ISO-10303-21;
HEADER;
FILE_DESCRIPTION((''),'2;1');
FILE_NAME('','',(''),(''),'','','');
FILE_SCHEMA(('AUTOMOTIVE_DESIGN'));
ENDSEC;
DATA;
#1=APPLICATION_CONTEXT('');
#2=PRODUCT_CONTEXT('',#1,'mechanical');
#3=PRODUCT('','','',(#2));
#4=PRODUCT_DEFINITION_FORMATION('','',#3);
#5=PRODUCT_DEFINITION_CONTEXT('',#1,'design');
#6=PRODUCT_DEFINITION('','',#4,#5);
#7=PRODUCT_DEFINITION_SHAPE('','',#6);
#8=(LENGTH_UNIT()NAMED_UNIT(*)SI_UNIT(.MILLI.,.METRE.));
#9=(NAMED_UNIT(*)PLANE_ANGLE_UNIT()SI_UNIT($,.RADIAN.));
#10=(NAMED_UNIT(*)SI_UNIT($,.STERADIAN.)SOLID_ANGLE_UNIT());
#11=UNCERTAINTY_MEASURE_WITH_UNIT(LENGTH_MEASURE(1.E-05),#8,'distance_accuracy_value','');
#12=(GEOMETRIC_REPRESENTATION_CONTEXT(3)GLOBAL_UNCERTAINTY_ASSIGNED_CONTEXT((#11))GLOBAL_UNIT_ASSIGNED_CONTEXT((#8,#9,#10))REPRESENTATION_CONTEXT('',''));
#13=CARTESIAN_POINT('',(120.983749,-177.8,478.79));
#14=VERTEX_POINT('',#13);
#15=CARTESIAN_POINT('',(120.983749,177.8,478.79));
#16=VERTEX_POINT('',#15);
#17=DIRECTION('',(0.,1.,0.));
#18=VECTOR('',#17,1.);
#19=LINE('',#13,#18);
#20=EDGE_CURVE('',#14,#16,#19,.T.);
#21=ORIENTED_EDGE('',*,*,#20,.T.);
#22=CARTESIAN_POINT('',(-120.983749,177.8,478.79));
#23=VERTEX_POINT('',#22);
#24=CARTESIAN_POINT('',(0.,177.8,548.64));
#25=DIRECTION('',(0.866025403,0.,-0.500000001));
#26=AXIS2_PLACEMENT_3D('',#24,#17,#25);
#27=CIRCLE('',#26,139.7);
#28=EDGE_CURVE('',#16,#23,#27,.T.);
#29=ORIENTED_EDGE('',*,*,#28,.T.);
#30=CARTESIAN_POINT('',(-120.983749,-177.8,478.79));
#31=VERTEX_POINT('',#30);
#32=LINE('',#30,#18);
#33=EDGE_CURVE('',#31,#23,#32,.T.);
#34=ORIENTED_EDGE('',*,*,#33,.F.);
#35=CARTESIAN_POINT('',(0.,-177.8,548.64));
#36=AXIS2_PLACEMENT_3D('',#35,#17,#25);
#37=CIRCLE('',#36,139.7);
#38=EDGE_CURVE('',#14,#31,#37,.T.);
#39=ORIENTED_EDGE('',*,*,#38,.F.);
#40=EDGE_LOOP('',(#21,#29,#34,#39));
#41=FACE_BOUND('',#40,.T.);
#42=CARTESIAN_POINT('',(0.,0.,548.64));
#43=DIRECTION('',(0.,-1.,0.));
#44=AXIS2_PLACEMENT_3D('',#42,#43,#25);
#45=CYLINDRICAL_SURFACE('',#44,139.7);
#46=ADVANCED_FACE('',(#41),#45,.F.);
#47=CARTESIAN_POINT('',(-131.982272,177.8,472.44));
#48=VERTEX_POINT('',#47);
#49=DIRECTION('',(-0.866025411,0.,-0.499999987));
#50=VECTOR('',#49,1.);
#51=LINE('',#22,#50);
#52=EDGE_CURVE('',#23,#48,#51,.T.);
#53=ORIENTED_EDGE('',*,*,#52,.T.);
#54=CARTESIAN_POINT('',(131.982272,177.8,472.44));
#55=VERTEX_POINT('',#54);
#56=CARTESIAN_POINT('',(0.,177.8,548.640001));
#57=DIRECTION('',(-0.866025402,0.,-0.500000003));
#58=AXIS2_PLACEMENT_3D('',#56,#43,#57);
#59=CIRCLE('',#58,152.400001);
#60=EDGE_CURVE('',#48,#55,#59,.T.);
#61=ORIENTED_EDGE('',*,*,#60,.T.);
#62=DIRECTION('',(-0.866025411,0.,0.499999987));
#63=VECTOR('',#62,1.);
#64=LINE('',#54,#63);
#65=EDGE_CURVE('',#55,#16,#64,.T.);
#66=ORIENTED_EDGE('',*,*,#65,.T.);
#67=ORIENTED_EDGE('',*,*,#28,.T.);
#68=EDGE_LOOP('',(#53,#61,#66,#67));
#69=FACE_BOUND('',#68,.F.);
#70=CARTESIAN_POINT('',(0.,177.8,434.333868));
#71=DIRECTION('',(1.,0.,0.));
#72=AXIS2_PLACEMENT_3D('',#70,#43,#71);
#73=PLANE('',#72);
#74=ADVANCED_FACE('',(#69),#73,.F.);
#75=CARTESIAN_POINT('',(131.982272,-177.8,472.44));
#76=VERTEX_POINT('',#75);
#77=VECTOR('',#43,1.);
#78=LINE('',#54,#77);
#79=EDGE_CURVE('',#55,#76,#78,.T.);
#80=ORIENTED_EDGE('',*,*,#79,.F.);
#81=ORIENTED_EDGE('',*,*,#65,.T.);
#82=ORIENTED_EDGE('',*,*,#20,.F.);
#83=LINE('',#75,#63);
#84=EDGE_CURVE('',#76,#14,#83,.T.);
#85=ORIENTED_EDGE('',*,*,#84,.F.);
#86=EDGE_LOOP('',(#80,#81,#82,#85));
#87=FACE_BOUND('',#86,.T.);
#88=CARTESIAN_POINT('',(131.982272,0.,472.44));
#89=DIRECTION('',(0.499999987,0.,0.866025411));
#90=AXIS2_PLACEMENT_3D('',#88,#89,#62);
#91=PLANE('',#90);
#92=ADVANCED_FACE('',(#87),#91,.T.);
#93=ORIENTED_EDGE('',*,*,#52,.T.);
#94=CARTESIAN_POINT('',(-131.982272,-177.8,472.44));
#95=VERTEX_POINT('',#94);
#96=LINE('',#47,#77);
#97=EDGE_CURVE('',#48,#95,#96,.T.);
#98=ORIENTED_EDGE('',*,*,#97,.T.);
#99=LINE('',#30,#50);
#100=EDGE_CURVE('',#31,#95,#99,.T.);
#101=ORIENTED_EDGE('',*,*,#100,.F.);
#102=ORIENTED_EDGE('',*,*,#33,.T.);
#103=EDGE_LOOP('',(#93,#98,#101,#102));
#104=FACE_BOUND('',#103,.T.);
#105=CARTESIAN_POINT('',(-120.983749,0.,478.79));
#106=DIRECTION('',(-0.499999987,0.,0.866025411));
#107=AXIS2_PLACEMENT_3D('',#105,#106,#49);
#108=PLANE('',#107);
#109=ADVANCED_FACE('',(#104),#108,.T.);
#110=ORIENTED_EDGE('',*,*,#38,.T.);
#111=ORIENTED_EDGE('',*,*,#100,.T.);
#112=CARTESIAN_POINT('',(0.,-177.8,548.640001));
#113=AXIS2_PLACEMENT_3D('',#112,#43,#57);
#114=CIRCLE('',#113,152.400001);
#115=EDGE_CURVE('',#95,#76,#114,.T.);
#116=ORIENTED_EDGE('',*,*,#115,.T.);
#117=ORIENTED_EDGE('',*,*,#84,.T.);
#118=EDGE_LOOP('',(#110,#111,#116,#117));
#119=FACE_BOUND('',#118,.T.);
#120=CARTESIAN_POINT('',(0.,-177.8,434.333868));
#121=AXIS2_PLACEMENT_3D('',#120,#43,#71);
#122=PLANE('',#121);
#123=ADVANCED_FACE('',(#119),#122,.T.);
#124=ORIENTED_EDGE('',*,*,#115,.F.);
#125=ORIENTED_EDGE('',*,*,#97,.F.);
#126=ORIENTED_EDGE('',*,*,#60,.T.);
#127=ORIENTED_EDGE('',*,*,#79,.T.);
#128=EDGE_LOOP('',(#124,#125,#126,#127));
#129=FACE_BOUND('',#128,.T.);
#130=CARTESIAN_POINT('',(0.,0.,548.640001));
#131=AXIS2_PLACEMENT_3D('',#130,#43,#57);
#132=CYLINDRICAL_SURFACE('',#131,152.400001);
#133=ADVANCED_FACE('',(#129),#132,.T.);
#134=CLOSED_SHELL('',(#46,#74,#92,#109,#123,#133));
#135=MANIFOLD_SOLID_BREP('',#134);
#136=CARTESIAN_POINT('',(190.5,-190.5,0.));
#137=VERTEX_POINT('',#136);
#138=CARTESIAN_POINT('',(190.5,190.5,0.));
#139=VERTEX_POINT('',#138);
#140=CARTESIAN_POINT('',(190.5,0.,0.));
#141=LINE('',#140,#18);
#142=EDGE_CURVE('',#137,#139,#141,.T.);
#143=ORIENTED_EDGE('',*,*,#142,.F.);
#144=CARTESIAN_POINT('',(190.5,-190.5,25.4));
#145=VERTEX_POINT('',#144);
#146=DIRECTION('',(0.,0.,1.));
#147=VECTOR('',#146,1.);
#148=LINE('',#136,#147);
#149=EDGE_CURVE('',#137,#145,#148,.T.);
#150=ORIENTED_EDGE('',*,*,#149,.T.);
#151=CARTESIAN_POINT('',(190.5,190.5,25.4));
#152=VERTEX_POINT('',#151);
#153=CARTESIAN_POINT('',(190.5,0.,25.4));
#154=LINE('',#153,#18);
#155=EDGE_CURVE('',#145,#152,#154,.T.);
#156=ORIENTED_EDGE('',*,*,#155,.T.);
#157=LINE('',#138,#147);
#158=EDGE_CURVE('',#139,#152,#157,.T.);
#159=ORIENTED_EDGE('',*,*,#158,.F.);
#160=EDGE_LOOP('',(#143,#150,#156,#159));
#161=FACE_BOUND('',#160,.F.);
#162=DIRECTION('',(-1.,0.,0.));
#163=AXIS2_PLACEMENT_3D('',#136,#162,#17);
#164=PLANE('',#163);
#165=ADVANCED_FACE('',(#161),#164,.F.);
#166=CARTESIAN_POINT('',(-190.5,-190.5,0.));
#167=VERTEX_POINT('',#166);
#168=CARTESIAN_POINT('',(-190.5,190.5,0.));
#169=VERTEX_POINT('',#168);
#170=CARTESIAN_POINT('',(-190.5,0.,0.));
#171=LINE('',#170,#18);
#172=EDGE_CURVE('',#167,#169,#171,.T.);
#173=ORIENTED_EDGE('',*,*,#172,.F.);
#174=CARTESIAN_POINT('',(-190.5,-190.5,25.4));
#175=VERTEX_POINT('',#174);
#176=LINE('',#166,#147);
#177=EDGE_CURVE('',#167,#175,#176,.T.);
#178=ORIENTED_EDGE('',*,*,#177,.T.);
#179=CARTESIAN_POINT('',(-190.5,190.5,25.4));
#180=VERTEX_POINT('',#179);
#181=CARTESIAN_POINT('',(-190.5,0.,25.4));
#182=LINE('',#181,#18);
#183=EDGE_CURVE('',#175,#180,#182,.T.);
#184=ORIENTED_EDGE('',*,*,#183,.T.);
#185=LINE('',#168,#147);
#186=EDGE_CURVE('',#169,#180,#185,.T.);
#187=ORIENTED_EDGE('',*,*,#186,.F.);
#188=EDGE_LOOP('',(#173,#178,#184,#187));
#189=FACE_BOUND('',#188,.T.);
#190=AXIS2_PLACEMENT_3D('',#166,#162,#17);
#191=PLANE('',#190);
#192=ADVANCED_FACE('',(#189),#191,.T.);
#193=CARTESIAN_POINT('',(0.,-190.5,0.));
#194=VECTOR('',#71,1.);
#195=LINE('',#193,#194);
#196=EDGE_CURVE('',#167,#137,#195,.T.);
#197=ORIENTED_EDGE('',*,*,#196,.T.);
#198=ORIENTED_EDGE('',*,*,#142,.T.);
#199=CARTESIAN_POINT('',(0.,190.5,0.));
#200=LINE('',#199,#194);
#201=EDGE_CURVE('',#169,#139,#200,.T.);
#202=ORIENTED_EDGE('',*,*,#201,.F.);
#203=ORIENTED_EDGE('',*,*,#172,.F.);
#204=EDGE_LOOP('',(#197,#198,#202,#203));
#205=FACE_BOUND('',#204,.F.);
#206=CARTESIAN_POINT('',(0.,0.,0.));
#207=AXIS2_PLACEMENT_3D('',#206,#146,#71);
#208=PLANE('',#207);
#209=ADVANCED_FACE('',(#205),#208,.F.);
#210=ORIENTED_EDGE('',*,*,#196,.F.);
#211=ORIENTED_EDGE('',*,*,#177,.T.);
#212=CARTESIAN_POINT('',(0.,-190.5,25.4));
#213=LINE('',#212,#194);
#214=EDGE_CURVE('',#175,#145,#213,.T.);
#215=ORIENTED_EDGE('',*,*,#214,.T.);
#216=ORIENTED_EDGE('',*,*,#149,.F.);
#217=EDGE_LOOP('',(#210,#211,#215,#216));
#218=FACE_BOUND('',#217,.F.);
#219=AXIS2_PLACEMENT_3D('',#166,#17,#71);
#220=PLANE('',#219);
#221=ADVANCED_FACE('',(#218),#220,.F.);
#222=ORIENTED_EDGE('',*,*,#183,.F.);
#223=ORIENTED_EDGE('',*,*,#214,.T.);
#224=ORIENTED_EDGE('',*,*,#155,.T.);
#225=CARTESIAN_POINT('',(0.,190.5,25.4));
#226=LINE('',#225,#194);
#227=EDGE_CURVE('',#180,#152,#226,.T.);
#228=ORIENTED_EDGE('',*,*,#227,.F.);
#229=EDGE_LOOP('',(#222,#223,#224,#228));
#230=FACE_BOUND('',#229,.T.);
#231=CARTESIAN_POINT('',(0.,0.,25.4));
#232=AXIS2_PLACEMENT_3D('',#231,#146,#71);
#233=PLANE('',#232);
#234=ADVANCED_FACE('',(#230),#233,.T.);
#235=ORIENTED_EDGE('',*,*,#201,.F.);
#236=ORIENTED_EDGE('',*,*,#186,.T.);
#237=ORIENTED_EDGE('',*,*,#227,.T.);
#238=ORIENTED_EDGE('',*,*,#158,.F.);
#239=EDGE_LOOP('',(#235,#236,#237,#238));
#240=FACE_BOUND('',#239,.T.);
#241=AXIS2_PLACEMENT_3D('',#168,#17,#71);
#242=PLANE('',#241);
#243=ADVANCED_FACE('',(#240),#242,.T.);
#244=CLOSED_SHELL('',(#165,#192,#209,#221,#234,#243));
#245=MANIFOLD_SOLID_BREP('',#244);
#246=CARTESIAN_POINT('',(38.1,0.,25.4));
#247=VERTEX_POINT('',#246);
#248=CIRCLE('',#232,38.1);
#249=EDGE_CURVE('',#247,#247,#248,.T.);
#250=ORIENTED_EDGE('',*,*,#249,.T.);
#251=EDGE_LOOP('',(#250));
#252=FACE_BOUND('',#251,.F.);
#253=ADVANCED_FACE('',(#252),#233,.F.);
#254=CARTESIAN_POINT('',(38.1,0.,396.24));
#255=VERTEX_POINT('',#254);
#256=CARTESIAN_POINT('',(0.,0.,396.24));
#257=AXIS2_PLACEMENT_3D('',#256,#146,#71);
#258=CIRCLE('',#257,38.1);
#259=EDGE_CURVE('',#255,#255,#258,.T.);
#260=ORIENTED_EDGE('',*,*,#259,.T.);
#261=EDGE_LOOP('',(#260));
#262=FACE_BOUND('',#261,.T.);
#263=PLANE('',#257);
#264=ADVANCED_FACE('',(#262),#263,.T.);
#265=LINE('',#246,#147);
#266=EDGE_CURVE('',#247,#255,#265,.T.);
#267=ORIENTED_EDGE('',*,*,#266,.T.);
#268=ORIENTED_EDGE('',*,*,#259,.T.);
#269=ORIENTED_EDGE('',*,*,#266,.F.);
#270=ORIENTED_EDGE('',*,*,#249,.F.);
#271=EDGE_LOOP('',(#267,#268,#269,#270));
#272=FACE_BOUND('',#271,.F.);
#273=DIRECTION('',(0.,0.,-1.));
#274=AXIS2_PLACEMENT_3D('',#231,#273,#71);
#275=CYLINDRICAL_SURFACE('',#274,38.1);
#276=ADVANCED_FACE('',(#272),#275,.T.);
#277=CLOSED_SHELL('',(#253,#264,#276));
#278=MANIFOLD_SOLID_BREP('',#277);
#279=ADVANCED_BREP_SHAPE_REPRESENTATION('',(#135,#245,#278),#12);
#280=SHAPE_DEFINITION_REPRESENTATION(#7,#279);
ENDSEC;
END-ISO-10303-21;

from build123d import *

# Parameters (mm, degrees)
F0_W     = 381
F0_H     = 381
F1_DEPTH = 25.4
F2_R     = 38.1
F3_DEPTH = 370.84
F5_DEPTH = 177.8


with BuildPart() as f1:
    # F0 (on Top) → F1 (new body)
    with BuildSketch(Plane.XY):
        Rectangle(F0_W, F0_H)
    extrude(amount=F1_DEPTH)


with BuildPart() as f3:
    # F2 (on face) → F3 (new body)
    with BuildSketch(Plane.XY.offset(25.4)):
        Circle(F2_R)
    extrude(amount=F3_DEPTH)


with BuildPart() as f5:
    # F4 (on Front) → F5 (new body, symmetric)
    with BuildSketch(Plane.XZ):
        with BuildLine():
            Line((-120.983749, 478.79), (-131.982272, 472.44))
            ThreePointArc((-131.982272, 472.44), (0, 396.24), (131.982272, 472.44))
            Line((131.982272, 472.44), (120.983749, 478.79))
            ThreePointArc((120.983749, 478.79), (0, 408.94), (-120.983749, 478.79))
        make_face()
    extrude(amount=F5_DEPTH, both=True)


solid = Compound([f1.part, f3.part, f5.part])
